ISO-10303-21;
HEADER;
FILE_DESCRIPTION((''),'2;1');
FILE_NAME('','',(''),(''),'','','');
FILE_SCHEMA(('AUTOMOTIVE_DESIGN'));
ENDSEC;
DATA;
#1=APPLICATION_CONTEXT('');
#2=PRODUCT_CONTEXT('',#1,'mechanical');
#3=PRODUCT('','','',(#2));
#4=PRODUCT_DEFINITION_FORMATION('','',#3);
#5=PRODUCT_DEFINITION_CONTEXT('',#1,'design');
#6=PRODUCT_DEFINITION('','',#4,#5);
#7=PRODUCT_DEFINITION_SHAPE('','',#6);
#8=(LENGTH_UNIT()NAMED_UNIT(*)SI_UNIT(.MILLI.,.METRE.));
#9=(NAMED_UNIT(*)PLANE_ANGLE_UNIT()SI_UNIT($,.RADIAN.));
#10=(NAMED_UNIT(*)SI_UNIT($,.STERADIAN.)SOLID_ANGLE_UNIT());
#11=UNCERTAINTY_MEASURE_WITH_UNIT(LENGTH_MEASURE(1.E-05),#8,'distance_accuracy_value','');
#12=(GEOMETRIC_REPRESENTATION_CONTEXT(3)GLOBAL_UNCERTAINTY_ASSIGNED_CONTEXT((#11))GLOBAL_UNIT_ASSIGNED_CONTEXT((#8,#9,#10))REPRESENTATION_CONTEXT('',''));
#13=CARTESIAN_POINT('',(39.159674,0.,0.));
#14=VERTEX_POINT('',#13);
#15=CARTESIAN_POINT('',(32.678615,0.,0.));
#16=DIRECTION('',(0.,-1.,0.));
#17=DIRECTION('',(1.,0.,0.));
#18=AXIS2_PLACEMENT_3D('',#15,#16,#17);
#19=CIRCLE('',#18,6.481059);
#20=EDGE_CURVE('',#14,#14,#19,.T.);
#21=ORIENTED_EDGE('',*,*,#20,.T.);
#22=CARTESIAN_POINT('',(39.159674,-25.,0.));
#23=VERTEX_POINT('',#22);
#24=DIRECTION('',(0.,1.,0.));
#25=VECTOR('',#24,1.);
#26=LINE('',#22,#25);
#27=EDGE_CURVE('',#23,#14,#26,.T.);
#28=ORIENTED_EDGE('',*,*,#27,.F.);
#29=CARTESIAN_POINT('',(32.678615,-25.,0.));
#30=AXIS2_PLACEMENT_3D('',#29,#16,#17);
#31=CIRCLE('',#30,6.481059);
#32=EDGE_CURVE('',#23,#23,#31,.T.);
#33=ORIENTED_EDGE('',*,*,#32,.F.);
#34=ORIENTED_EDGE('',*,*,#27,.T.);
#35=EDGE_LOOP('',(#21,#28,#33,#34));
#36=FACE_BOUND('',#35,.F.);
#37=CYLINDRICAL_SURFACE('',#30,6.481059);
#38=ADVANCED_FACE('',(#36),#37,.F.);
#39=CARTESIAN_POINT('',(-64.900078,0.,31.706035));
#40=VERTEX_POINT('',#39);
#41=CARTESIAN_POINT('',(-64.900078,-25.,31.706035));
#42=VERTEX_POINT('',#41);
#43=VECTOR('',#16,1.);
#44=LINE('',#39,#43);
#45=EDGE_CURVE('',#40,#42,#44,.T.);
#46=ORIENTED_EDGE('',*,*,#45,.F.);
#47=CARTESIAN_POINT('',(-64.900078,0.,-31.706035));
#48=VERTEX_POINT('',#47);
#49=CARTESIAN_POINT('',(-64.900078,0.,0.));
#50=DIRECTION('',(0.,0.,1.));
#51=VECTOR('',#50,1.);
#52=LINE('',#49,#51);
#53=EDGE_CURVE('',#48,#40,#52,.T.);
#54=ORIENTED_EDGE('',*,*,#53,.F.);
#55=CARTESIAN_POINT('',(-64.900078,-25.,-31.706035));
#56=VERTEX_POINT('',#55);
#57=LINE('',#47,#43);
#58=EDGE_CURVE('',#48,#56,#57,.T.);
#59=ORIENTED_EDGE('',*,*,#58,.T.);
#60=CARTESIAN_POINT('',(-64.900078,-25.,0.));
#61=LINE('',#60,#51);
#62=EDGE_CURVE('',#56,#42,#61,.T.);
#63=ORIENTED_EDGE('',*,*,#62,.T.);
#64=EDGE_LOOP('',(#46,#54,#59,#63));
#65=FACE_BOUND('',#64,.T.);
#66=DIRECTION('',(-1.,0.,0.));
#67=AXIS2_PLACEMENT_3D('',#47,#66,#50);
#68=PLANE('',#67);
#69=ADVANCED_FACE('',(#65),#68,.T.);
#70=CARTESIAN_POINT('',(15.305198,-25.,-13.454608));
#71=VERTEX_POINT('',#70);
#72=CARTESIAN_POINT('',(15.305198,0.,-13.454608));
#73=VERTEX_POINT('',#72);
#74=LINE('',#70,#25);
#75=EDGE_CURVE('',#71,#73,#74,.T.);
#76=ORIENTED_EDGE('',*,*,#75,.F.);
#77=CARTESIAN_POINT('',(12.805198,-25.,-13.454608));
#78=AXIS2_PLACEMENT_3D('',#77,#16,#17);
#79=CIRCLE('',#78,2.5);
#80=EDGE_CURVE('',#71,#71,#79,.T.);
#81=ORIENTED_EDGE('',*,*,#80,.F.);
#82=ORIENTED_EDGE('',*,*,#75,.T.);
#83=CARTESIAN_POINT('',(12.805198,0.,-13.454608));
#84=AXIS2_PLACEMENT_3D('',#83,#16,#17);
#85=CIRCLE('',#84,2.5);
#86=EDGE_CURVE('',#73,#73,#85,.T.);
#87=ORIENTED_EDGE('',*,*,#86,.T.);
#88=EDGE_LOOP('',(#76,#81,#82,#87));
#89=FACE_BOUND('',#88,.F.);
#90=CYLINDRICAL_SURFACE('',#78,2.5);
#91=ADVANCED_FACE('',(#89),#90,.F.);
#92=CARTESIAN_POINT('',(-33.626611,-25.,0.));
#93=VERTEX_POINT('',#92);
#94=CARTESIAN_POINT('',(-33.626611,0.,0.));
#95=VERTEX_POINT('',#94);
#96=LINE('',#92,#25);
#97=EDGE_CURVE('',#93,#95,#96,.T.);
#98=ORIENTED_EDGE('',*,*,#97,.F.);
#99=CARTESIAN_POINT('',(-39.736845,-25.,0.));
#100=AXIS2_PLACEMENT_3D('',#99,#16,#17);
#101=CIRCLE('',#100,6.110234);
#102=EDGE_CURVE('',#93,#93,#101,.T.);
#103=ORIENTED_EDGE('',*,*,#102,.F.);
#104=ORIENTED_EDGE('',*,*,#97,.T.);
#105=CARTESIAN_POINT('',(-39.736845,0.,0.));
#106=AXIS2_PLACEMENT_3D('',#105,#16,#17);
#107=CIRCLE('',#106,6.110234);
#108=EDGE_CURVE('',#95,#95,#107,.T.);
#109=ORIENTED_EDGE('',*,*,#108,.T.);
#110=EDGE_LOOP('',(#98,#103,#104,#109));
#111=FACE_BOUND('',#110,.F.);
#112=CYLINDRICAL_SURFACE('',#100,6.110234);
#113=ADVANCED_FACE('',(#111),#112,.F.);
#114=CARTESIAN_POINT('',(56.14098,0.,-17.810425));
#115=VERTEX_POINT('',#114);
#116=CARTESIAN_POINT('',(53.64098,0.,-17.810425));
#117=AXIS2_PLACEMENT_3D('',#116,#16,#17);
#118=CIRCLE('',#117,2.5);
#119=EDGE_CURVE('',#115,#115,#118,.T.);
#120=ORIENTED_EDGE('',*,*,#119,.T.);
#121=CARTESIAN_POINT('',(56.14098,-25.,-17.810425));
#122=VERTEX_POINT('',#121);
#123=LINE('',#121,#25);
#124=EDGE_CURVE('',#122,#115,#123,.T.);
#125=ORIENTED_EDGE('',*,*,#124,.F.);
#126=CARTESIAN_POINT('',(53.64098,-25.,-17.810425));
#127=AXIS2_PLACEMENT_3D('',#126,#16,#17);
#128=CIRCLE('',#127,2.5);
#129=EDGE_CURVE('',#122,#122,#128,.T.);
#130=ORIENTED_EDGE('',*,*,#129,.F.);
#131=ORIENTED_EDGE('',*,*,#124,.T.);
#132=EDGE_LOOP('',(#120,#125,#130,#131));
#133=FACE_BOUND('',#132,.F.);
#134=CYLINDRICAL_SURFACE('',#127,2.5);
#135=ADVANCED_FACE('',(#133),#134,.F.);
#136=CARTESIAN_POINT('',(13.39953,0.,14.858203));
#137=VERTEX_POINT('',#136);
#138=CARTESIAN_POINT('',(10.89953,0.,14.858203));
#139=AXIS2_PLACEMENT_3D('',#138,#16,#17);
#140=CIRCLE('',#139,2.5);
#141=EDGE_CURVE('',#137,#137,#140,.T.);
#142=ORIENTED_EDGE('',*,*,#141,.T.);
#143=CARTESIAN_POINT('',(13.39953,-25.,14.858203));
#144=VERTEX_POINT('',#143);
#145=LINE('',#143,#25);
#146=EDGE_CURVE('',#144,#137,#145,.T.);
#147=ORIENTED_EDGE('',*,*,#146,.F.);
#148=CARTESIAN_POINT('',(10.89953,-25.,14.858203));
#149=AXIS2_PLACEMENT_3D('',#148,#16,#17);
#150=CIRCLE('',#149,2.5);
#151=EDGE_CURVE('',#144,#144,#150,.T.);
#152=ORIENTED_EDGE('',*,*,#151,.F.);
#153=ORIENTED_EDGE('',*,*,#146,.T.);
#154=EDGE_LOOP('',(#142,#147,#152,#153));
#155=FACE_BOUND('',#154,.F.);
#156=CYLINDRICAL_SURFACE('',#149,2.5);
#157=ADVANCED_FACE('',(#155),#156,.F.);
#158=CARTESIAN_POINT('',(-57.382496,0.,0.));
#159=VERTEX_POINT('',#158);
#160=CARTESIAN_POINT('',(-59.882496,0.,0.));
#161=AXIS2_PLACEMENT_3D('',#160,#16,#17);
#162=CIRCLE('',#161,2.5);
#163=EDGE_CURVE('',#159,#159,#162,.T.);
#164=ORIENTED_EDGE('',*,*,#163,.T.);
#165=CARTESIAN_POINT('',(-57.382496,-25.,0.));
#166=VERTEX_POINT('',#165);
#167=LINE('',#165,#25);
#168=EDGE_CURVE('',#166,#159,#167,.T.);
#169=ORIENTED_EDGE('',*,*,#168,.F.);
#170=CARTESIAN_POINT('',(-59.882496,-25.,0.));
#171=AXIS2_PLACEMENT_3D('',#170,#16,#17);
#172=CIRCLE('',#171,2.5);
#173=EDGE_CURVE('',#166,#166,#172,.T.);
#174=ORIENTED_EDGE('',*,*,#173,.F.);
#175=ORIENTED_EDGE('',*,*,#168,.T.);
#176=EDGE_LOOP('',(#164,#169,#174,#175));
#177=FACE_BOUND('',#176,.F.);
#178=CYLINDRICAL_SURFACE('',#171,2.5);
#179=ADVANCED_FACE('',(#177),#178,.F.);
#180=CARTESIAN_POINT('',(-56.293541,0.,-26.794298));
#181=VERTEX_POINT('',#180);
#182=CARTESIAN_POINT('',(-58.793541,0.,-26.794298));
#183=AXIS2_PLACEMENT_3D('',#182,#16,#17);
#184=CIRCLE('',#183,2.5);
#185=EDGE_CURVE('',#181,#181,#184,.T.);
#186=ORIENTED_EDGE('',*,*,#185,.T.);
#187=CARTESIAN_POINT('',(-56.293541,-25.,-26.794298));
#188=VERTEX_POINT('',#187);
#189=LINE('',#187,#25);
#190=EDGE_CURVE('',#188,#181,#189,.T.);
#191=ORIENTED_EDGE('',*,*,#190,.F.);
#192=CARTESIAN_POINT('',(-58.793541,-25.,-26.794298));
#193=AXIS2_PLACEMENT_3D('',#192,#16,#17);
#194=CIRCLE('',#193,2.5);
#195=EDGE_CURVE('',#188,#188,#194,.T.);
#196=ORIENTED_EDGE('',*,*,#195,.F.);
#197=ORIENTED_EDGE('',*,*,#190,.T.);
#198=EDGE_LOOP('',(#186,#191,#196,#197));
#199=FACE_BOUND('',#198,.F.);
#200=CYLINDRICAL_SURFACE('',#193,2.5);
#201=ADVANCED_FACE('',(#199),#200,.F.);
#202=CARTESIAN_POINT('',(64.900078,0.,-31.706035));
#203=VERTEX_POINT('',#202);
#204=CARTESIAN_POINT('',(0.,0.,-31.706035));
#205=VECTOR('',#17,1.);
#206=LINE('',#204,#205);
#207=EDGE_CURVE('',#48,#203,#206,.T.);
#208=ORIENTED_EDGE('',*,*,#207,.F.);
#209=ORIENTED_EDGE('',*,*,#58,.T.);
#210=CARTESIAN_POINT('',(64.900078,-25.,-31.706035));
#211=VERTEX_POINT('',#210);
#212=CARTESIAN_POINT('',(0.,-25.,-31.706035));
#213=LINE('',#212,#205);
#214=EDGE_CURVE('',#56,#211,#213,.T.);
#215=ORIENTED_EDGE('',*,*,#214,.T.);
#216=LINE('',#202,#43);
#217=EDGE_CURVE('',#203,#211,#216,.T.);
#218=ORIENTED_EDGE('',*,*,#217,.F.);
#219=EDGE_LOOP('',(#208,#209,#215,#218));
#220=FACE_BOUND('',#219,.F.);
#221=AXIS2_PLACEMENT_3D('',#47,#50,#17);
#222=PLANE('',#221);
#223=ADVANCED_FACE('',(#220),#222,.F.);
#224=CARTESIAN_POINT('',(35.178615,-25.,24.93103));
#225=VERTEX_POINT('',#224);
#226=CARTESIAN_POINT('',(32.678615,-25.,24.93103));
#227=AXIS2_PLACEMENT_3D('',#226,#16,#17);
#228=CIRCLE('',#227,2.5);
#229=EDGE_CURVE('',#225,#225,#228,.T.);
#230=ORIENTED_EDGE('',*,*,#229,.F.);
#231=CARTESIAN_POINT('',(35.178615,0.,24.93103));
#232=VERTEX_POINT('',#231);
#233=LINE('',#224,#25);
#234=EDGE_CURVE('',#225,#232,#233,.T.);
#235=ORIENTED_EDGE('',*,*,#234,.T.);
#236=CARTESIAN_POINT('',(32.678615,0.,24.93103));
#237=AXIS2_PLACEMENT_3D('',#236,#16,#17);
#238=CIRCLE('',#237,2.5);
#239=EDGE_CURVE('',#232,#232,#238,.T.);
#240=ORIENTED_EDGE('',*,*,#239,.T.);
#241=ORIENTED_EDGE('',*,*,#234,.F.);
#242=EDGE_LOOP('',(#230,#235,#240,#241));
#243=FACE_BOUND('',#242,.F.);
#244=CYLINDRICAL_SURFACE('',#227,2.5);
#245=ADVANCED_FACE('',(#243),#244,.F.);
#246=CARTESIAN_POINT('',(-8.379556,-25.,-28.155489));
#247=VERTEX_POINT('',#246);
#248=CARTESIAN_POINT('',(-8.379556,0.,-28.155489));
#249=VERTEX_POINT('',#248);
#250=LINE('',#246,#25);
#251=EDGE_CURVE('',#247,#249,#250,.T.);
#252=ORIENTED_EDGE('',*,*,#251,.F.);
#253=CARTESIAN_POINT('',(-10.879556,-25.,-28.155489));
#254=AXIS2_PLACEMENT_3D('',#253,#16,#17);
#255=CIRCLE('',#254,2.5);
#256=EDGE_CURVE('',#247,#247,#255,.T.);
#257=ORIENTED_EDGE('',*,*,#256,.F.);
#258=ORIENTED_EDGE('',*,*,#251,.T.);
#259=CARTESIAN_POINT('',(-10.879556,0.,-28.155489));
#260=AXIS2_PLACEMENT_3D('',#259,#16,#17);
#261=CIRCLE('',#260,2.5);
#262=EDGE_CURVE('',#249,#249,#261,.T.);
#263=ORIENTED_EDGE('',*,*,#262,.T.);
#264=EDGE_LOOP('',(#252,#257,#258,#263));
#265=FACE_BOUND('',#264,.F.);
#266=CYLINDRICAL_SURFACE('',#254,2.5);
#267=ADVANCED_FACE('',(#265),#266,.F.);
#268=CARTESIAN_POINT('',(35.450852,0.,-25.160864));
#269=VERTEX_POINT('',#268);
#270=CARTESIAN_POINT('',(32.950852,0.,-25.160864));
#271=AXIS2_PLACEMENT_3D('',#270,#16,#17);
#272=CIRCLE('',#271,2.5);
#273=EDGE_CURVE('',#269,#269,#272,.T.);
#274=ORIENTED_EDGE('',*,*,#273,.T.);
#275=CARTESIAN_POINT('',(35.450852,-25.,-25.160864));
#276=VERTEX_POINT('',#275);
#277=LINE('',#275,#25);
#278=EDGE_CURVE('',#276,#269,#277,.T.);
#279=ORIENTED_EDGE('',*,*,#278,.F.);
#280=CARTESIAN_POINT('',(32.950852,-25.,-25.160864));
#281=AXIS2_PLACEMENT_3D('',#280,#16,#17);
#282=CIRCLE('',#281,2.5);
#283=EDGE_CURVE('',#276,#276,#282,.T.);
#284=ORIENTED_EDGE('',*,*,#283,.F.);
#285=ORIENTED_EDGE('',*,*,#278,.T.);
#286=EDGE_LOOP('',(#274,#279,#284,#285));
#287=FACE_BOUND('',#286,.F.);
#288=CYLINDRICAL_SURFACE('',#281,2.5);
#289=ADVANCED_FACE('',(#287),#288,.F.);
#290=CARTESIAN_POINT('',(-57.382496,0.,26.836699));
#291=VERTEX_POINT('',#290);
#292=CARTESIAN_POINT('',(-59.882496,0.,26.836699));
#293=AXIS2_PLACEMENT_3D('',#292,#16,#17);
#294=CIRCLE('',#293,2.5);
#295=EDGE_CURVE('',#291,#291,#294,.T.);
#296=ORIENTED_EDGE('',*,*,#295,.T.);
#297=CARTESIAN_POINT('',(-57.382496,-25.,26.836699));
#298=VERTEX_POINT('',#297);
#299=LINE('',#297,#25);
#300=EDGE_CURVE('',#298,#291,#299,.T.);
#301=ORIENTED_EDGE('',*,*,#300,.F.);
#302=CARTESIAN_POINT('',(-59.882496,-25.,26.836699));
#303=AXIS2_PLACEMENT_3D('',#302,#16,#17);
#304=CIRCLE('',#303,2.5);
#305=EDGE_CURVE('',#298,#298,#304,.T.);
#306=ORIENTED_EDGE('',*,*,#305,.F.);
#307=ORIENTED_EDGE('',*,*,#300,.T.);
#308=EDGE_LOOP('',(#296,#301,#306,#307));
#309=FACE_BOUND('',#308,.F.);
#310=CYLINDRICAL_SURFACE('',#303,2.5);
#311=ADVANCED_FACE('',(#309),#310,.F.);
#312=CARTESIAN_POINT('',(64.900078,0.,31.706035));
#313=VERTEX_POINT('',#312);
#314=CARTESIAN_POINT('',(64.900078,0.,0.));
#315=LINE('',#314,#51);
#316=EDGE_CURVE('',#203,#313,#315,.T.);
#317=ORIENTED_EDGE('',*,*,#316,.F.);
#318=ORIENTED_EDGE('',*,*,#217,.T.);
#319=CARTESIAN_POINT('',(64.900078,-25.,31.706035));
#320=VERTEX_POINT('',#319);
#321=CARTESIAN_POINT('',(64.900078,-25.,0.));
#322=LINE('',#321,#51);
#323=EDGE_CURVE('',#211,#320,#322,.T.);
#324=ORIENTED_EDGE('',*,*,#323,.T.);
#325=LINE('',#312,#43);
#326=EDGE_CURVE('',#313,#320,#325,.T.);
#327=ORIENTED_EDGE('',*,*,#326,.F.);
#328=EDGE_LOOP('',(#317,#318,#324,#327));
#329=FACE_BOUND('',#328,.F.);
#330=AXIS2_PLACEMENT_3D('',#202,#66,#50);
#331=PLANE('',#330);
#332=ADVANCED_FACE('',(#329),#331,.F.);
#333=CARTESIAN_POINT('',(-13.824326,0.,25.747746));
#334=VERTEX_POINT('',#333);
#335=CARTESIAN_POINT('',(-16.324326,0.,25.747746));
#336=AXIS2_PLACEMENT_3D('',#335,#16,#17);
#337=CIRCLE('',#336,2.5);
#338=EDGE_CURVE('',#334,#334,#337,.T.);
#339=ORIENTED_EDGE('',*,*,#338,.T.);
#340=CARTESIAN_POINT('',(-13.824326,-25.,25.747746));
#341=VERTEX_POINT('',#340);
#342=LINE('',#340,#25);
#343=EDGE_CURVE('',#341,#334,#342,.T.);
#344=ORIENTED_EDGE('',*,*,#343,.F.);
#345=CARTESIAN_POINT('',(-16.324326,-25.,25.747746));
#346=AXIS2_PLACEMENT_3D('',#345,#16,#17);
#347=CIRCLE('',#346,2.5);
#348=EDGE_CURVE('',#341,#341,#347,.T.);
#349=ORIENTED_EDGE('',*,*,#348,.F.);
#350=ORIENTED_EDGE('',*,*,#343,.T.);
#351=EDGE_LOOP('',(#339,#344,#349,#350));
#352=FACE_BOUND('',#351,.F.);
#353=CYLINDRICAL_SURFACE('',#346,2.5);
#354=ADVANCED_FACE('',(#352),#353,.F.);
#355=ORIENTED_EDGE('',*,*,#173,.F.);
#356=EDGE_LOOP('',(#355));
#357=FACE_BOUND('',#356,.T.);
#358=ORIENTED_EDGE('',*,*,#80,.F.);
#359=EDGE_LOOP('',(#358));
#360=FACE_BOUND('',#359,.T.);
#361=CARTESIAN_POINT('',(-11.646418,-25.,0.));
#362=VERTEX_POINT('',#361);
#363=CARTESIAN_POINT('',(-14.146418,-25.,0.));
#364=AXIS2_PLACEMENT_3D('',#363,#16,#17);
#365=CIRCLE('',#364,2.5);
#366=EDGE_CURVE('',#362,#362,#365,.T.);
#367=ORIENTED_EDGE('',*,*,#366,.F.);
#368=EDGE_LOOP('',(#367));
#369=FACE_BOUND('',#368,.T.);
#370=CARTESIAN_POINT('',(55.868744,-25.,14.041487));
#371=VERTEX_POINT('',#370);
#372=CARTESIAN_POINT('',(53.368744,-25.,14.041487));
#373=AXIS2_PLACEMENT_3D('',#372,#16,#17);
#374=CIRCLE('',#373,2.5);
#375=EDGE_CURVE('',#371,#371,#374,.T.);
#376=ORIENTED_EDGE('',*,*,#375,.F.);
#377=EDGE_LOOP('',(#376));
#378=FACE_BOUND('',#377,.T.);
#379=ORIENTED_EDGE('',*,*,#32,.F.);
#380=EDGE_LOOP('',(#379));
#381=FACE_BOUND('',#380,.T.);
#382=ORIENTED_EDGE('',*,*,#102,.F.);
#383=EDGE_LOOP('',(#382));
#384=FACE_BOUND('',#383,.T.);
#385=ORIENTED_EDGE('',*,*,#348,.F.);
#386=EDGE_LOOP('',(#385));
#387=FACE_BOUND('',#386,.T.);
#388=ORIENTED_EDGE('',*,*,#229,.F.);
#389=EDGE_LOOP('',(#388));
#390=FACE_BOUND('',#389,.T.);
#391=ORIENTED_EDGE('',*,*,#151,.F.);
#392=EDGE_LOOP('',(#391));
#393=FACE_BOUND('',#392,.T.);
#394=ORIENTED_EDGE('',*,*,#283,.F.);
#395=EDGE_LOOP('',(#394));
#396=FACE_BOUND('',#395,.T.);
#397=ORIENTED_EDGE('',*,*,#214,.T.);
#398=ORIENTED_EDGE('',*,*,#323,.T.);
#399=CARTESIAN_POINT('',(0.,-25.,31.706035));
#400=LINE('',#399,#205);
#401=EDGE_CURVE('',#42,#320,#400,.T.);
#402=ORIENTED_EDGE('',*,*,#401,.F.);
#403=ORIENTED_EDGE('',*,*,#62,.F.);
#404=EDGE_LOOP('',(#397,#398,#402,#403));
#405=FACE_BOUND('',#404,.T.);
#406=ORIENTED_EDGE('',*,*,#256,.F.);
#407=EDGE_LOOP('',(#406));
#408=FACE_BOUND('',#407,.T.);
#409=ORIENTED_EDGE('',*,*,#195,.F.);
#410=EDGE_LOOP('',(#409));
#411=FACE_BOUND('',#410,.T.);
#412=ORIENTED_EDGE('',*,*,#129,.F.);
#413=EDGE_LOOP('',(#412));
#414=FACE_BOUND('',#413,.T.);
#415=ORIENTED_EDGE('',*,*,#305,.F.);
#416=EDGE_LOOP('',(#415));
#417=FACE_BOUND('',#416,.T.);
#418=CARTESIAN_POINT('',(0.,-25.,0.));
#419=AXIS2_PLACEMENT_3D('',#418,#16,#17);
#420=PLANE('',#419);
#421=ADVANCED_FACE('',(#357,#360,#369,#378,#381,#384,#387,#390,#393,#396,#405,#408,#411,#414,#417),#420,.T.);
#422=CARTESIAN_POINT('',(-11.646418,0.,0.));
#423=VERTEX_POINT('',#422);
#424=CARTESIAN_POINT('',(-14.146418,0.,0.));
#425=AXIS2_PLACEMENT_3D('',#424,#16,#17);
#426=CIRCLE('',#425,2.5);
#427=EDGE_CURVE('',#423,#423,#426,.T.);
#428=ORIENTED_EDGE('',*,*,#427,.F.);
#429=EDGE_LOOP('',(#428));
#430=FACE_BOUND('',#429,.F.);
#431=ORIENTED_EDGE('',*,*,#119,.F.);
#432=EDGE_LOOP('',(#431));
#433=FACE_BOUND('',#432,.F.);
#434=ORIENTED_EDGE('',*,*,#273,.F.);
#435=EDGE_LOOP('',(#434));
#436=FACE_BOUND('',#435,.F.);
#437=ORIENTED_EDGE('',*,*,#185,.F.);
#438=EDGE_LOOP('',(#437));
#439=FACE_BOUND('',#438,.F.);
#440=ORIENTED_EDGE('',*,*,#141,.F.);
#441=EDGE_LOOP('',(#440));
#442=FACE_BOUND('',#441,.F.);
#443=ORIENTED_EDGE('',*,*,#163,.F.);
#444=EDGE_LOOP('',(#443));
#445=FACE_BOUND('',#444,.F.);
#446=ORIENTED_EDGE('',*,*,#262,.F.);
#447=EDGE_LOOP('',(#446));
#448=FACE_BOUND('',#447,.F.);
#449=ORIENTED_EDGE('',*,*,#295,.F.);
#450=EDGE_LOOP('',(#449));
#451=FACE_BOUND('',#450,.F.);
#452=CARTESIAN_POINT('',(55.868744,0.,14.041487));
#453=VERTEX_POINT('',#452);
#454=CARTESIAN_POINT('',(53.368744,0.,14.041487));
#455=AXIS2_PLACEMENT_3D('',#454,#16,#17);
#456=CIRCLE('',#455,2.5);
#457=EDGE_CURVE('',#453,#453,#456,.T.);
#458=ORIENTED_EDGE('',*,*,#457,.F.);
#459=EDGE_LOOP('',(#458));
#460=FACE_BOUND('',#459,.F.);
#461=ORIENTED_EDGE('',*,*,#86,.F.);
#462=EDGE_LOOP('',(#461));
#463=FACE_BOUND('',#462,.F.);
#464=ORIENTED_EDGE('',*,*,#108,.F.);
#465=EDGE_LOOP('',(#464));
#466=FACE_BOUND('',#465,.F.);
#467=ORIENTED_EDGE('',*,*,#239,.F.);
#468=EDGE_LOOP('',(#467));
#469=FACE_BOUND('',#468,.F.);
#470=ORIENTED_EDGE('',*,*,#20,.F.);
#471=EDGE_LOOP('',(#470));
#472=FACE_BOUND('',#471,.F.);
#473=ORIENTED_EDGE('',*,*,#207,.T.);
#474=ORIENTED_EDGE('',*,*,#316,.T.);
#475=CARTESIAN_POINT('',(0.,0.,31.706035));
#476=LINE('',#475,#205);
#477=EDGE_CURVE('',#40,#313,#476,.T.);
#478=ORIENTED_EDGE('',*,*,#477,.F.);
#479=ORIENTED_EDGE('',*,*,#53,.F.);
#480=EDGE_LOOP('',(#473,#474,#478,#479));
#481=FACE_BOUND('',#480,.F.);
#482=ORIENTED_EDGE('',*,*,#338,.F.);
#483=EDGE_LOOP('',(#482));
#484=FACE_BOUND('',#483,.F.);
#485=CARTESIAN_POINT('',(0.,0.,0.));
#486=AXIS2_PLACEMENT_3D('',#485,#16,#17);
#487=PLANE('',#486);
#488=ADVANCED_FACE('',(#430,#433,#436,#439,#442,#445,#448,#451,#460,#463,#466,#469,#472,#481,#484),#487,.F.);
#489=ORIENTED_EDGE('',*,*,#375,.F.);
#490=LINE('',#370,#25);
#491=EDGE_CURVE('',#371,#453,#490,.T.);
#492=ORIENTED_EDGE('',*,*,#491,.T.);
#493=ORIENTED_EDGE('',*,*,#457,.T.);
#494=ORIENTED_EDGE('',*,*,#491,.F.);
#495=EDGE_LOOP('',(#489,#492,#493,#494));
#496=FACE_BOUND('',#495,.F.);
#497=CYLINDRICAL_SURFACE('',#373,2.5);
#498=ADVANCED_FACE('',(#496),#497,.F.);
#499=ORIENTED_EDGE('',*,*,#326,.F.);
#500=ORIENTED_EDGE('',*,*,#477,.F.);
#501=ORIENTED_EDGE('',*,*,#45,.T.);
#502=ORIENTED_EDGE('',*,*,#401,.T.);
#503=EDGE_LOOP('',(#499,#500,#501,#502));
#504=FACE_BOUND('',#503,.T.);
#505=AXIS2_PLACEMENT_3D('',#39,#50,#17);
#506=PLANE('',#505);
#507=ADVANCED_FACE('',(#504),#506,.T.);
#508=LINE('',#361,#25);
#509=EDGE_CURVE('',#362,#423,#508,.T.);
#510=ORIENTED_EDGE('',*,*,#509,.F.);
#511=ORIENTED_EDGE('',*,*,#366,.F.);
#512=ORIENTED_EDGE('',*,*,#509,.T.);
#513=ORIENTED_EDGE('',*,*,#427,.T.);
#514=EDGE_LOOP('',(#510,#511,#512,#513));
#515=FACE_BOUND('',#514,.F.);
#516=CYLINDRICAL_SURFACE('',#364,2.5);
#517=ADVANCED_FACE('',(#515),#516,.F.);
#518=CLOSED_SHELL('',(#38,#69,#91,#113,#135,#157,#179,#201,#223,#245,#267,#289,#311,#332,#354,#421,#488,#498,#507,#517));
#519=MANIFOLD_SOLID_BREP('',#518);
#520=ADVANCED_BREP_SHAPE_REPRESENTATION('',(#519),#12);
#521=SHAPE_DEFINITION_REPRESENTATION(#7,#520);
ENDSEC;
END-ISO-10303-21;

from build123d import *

# Parameters (mm, degrees)
F0_W     = 129.800156
F0_H     = 63.41207
F1_DEPTH = 25
F2_R     = 2.5
F2_R_2   = 6.110234
F2_R_3   = 6.481059
F3_DEPTH = 25


with BuildPart() as f1:
    # F0 (on Front) → F1 (new body)
    with BuildSketch(Plane.XZ):
        Rectangle(F0_W, F0_H)
    extrude(amount=F1_DEPTH)

    # F2 (on face) → F3 (cut)
    with BuildSketch(Plane.XZ.offset(25)):
        with Locations((-59.882496, 26.836699)):
            Circle(F2_R)
        with Locations((-59.882496, 0)):
            Circle(F2_R)
        with Locations((-58.793541, -26.794298)):
            Circle(F2_R)
        with Locations((-39.736845, 0)):
            Circle(F2_R_2)
        with Locations((-16.324326, 25.747746)):
            Circle(F2_R)
        with Locations((-14.146418, 0)):
            Circle(F2_R)
        with Locations((-10.879556, -28.155489)):
            Circle(F2_R)
        with Locations((10.89953, 14.858203)):
            Circle(F2_R)
        with Locations((12.805198, -13.454608)):
            Circle(F2_R)
        with Locations((32.678615, 0)):
            Circle(F2_R_3)
        with Locations((32.678615, 24.93103)):
            Circle(F2_R)
        with Locations((32.950852, -25.160864)):
            Circle(F2_R)
        with Locations((53.368744, 14.041487)):
            Circle(F2_R)
        with Locations((53.64098, -17.810425)):
            Circle(F2_R)
    extrude(amount=-F3_DEPTH, mode=Mode.SUBTRACT)


solid = f1.part
